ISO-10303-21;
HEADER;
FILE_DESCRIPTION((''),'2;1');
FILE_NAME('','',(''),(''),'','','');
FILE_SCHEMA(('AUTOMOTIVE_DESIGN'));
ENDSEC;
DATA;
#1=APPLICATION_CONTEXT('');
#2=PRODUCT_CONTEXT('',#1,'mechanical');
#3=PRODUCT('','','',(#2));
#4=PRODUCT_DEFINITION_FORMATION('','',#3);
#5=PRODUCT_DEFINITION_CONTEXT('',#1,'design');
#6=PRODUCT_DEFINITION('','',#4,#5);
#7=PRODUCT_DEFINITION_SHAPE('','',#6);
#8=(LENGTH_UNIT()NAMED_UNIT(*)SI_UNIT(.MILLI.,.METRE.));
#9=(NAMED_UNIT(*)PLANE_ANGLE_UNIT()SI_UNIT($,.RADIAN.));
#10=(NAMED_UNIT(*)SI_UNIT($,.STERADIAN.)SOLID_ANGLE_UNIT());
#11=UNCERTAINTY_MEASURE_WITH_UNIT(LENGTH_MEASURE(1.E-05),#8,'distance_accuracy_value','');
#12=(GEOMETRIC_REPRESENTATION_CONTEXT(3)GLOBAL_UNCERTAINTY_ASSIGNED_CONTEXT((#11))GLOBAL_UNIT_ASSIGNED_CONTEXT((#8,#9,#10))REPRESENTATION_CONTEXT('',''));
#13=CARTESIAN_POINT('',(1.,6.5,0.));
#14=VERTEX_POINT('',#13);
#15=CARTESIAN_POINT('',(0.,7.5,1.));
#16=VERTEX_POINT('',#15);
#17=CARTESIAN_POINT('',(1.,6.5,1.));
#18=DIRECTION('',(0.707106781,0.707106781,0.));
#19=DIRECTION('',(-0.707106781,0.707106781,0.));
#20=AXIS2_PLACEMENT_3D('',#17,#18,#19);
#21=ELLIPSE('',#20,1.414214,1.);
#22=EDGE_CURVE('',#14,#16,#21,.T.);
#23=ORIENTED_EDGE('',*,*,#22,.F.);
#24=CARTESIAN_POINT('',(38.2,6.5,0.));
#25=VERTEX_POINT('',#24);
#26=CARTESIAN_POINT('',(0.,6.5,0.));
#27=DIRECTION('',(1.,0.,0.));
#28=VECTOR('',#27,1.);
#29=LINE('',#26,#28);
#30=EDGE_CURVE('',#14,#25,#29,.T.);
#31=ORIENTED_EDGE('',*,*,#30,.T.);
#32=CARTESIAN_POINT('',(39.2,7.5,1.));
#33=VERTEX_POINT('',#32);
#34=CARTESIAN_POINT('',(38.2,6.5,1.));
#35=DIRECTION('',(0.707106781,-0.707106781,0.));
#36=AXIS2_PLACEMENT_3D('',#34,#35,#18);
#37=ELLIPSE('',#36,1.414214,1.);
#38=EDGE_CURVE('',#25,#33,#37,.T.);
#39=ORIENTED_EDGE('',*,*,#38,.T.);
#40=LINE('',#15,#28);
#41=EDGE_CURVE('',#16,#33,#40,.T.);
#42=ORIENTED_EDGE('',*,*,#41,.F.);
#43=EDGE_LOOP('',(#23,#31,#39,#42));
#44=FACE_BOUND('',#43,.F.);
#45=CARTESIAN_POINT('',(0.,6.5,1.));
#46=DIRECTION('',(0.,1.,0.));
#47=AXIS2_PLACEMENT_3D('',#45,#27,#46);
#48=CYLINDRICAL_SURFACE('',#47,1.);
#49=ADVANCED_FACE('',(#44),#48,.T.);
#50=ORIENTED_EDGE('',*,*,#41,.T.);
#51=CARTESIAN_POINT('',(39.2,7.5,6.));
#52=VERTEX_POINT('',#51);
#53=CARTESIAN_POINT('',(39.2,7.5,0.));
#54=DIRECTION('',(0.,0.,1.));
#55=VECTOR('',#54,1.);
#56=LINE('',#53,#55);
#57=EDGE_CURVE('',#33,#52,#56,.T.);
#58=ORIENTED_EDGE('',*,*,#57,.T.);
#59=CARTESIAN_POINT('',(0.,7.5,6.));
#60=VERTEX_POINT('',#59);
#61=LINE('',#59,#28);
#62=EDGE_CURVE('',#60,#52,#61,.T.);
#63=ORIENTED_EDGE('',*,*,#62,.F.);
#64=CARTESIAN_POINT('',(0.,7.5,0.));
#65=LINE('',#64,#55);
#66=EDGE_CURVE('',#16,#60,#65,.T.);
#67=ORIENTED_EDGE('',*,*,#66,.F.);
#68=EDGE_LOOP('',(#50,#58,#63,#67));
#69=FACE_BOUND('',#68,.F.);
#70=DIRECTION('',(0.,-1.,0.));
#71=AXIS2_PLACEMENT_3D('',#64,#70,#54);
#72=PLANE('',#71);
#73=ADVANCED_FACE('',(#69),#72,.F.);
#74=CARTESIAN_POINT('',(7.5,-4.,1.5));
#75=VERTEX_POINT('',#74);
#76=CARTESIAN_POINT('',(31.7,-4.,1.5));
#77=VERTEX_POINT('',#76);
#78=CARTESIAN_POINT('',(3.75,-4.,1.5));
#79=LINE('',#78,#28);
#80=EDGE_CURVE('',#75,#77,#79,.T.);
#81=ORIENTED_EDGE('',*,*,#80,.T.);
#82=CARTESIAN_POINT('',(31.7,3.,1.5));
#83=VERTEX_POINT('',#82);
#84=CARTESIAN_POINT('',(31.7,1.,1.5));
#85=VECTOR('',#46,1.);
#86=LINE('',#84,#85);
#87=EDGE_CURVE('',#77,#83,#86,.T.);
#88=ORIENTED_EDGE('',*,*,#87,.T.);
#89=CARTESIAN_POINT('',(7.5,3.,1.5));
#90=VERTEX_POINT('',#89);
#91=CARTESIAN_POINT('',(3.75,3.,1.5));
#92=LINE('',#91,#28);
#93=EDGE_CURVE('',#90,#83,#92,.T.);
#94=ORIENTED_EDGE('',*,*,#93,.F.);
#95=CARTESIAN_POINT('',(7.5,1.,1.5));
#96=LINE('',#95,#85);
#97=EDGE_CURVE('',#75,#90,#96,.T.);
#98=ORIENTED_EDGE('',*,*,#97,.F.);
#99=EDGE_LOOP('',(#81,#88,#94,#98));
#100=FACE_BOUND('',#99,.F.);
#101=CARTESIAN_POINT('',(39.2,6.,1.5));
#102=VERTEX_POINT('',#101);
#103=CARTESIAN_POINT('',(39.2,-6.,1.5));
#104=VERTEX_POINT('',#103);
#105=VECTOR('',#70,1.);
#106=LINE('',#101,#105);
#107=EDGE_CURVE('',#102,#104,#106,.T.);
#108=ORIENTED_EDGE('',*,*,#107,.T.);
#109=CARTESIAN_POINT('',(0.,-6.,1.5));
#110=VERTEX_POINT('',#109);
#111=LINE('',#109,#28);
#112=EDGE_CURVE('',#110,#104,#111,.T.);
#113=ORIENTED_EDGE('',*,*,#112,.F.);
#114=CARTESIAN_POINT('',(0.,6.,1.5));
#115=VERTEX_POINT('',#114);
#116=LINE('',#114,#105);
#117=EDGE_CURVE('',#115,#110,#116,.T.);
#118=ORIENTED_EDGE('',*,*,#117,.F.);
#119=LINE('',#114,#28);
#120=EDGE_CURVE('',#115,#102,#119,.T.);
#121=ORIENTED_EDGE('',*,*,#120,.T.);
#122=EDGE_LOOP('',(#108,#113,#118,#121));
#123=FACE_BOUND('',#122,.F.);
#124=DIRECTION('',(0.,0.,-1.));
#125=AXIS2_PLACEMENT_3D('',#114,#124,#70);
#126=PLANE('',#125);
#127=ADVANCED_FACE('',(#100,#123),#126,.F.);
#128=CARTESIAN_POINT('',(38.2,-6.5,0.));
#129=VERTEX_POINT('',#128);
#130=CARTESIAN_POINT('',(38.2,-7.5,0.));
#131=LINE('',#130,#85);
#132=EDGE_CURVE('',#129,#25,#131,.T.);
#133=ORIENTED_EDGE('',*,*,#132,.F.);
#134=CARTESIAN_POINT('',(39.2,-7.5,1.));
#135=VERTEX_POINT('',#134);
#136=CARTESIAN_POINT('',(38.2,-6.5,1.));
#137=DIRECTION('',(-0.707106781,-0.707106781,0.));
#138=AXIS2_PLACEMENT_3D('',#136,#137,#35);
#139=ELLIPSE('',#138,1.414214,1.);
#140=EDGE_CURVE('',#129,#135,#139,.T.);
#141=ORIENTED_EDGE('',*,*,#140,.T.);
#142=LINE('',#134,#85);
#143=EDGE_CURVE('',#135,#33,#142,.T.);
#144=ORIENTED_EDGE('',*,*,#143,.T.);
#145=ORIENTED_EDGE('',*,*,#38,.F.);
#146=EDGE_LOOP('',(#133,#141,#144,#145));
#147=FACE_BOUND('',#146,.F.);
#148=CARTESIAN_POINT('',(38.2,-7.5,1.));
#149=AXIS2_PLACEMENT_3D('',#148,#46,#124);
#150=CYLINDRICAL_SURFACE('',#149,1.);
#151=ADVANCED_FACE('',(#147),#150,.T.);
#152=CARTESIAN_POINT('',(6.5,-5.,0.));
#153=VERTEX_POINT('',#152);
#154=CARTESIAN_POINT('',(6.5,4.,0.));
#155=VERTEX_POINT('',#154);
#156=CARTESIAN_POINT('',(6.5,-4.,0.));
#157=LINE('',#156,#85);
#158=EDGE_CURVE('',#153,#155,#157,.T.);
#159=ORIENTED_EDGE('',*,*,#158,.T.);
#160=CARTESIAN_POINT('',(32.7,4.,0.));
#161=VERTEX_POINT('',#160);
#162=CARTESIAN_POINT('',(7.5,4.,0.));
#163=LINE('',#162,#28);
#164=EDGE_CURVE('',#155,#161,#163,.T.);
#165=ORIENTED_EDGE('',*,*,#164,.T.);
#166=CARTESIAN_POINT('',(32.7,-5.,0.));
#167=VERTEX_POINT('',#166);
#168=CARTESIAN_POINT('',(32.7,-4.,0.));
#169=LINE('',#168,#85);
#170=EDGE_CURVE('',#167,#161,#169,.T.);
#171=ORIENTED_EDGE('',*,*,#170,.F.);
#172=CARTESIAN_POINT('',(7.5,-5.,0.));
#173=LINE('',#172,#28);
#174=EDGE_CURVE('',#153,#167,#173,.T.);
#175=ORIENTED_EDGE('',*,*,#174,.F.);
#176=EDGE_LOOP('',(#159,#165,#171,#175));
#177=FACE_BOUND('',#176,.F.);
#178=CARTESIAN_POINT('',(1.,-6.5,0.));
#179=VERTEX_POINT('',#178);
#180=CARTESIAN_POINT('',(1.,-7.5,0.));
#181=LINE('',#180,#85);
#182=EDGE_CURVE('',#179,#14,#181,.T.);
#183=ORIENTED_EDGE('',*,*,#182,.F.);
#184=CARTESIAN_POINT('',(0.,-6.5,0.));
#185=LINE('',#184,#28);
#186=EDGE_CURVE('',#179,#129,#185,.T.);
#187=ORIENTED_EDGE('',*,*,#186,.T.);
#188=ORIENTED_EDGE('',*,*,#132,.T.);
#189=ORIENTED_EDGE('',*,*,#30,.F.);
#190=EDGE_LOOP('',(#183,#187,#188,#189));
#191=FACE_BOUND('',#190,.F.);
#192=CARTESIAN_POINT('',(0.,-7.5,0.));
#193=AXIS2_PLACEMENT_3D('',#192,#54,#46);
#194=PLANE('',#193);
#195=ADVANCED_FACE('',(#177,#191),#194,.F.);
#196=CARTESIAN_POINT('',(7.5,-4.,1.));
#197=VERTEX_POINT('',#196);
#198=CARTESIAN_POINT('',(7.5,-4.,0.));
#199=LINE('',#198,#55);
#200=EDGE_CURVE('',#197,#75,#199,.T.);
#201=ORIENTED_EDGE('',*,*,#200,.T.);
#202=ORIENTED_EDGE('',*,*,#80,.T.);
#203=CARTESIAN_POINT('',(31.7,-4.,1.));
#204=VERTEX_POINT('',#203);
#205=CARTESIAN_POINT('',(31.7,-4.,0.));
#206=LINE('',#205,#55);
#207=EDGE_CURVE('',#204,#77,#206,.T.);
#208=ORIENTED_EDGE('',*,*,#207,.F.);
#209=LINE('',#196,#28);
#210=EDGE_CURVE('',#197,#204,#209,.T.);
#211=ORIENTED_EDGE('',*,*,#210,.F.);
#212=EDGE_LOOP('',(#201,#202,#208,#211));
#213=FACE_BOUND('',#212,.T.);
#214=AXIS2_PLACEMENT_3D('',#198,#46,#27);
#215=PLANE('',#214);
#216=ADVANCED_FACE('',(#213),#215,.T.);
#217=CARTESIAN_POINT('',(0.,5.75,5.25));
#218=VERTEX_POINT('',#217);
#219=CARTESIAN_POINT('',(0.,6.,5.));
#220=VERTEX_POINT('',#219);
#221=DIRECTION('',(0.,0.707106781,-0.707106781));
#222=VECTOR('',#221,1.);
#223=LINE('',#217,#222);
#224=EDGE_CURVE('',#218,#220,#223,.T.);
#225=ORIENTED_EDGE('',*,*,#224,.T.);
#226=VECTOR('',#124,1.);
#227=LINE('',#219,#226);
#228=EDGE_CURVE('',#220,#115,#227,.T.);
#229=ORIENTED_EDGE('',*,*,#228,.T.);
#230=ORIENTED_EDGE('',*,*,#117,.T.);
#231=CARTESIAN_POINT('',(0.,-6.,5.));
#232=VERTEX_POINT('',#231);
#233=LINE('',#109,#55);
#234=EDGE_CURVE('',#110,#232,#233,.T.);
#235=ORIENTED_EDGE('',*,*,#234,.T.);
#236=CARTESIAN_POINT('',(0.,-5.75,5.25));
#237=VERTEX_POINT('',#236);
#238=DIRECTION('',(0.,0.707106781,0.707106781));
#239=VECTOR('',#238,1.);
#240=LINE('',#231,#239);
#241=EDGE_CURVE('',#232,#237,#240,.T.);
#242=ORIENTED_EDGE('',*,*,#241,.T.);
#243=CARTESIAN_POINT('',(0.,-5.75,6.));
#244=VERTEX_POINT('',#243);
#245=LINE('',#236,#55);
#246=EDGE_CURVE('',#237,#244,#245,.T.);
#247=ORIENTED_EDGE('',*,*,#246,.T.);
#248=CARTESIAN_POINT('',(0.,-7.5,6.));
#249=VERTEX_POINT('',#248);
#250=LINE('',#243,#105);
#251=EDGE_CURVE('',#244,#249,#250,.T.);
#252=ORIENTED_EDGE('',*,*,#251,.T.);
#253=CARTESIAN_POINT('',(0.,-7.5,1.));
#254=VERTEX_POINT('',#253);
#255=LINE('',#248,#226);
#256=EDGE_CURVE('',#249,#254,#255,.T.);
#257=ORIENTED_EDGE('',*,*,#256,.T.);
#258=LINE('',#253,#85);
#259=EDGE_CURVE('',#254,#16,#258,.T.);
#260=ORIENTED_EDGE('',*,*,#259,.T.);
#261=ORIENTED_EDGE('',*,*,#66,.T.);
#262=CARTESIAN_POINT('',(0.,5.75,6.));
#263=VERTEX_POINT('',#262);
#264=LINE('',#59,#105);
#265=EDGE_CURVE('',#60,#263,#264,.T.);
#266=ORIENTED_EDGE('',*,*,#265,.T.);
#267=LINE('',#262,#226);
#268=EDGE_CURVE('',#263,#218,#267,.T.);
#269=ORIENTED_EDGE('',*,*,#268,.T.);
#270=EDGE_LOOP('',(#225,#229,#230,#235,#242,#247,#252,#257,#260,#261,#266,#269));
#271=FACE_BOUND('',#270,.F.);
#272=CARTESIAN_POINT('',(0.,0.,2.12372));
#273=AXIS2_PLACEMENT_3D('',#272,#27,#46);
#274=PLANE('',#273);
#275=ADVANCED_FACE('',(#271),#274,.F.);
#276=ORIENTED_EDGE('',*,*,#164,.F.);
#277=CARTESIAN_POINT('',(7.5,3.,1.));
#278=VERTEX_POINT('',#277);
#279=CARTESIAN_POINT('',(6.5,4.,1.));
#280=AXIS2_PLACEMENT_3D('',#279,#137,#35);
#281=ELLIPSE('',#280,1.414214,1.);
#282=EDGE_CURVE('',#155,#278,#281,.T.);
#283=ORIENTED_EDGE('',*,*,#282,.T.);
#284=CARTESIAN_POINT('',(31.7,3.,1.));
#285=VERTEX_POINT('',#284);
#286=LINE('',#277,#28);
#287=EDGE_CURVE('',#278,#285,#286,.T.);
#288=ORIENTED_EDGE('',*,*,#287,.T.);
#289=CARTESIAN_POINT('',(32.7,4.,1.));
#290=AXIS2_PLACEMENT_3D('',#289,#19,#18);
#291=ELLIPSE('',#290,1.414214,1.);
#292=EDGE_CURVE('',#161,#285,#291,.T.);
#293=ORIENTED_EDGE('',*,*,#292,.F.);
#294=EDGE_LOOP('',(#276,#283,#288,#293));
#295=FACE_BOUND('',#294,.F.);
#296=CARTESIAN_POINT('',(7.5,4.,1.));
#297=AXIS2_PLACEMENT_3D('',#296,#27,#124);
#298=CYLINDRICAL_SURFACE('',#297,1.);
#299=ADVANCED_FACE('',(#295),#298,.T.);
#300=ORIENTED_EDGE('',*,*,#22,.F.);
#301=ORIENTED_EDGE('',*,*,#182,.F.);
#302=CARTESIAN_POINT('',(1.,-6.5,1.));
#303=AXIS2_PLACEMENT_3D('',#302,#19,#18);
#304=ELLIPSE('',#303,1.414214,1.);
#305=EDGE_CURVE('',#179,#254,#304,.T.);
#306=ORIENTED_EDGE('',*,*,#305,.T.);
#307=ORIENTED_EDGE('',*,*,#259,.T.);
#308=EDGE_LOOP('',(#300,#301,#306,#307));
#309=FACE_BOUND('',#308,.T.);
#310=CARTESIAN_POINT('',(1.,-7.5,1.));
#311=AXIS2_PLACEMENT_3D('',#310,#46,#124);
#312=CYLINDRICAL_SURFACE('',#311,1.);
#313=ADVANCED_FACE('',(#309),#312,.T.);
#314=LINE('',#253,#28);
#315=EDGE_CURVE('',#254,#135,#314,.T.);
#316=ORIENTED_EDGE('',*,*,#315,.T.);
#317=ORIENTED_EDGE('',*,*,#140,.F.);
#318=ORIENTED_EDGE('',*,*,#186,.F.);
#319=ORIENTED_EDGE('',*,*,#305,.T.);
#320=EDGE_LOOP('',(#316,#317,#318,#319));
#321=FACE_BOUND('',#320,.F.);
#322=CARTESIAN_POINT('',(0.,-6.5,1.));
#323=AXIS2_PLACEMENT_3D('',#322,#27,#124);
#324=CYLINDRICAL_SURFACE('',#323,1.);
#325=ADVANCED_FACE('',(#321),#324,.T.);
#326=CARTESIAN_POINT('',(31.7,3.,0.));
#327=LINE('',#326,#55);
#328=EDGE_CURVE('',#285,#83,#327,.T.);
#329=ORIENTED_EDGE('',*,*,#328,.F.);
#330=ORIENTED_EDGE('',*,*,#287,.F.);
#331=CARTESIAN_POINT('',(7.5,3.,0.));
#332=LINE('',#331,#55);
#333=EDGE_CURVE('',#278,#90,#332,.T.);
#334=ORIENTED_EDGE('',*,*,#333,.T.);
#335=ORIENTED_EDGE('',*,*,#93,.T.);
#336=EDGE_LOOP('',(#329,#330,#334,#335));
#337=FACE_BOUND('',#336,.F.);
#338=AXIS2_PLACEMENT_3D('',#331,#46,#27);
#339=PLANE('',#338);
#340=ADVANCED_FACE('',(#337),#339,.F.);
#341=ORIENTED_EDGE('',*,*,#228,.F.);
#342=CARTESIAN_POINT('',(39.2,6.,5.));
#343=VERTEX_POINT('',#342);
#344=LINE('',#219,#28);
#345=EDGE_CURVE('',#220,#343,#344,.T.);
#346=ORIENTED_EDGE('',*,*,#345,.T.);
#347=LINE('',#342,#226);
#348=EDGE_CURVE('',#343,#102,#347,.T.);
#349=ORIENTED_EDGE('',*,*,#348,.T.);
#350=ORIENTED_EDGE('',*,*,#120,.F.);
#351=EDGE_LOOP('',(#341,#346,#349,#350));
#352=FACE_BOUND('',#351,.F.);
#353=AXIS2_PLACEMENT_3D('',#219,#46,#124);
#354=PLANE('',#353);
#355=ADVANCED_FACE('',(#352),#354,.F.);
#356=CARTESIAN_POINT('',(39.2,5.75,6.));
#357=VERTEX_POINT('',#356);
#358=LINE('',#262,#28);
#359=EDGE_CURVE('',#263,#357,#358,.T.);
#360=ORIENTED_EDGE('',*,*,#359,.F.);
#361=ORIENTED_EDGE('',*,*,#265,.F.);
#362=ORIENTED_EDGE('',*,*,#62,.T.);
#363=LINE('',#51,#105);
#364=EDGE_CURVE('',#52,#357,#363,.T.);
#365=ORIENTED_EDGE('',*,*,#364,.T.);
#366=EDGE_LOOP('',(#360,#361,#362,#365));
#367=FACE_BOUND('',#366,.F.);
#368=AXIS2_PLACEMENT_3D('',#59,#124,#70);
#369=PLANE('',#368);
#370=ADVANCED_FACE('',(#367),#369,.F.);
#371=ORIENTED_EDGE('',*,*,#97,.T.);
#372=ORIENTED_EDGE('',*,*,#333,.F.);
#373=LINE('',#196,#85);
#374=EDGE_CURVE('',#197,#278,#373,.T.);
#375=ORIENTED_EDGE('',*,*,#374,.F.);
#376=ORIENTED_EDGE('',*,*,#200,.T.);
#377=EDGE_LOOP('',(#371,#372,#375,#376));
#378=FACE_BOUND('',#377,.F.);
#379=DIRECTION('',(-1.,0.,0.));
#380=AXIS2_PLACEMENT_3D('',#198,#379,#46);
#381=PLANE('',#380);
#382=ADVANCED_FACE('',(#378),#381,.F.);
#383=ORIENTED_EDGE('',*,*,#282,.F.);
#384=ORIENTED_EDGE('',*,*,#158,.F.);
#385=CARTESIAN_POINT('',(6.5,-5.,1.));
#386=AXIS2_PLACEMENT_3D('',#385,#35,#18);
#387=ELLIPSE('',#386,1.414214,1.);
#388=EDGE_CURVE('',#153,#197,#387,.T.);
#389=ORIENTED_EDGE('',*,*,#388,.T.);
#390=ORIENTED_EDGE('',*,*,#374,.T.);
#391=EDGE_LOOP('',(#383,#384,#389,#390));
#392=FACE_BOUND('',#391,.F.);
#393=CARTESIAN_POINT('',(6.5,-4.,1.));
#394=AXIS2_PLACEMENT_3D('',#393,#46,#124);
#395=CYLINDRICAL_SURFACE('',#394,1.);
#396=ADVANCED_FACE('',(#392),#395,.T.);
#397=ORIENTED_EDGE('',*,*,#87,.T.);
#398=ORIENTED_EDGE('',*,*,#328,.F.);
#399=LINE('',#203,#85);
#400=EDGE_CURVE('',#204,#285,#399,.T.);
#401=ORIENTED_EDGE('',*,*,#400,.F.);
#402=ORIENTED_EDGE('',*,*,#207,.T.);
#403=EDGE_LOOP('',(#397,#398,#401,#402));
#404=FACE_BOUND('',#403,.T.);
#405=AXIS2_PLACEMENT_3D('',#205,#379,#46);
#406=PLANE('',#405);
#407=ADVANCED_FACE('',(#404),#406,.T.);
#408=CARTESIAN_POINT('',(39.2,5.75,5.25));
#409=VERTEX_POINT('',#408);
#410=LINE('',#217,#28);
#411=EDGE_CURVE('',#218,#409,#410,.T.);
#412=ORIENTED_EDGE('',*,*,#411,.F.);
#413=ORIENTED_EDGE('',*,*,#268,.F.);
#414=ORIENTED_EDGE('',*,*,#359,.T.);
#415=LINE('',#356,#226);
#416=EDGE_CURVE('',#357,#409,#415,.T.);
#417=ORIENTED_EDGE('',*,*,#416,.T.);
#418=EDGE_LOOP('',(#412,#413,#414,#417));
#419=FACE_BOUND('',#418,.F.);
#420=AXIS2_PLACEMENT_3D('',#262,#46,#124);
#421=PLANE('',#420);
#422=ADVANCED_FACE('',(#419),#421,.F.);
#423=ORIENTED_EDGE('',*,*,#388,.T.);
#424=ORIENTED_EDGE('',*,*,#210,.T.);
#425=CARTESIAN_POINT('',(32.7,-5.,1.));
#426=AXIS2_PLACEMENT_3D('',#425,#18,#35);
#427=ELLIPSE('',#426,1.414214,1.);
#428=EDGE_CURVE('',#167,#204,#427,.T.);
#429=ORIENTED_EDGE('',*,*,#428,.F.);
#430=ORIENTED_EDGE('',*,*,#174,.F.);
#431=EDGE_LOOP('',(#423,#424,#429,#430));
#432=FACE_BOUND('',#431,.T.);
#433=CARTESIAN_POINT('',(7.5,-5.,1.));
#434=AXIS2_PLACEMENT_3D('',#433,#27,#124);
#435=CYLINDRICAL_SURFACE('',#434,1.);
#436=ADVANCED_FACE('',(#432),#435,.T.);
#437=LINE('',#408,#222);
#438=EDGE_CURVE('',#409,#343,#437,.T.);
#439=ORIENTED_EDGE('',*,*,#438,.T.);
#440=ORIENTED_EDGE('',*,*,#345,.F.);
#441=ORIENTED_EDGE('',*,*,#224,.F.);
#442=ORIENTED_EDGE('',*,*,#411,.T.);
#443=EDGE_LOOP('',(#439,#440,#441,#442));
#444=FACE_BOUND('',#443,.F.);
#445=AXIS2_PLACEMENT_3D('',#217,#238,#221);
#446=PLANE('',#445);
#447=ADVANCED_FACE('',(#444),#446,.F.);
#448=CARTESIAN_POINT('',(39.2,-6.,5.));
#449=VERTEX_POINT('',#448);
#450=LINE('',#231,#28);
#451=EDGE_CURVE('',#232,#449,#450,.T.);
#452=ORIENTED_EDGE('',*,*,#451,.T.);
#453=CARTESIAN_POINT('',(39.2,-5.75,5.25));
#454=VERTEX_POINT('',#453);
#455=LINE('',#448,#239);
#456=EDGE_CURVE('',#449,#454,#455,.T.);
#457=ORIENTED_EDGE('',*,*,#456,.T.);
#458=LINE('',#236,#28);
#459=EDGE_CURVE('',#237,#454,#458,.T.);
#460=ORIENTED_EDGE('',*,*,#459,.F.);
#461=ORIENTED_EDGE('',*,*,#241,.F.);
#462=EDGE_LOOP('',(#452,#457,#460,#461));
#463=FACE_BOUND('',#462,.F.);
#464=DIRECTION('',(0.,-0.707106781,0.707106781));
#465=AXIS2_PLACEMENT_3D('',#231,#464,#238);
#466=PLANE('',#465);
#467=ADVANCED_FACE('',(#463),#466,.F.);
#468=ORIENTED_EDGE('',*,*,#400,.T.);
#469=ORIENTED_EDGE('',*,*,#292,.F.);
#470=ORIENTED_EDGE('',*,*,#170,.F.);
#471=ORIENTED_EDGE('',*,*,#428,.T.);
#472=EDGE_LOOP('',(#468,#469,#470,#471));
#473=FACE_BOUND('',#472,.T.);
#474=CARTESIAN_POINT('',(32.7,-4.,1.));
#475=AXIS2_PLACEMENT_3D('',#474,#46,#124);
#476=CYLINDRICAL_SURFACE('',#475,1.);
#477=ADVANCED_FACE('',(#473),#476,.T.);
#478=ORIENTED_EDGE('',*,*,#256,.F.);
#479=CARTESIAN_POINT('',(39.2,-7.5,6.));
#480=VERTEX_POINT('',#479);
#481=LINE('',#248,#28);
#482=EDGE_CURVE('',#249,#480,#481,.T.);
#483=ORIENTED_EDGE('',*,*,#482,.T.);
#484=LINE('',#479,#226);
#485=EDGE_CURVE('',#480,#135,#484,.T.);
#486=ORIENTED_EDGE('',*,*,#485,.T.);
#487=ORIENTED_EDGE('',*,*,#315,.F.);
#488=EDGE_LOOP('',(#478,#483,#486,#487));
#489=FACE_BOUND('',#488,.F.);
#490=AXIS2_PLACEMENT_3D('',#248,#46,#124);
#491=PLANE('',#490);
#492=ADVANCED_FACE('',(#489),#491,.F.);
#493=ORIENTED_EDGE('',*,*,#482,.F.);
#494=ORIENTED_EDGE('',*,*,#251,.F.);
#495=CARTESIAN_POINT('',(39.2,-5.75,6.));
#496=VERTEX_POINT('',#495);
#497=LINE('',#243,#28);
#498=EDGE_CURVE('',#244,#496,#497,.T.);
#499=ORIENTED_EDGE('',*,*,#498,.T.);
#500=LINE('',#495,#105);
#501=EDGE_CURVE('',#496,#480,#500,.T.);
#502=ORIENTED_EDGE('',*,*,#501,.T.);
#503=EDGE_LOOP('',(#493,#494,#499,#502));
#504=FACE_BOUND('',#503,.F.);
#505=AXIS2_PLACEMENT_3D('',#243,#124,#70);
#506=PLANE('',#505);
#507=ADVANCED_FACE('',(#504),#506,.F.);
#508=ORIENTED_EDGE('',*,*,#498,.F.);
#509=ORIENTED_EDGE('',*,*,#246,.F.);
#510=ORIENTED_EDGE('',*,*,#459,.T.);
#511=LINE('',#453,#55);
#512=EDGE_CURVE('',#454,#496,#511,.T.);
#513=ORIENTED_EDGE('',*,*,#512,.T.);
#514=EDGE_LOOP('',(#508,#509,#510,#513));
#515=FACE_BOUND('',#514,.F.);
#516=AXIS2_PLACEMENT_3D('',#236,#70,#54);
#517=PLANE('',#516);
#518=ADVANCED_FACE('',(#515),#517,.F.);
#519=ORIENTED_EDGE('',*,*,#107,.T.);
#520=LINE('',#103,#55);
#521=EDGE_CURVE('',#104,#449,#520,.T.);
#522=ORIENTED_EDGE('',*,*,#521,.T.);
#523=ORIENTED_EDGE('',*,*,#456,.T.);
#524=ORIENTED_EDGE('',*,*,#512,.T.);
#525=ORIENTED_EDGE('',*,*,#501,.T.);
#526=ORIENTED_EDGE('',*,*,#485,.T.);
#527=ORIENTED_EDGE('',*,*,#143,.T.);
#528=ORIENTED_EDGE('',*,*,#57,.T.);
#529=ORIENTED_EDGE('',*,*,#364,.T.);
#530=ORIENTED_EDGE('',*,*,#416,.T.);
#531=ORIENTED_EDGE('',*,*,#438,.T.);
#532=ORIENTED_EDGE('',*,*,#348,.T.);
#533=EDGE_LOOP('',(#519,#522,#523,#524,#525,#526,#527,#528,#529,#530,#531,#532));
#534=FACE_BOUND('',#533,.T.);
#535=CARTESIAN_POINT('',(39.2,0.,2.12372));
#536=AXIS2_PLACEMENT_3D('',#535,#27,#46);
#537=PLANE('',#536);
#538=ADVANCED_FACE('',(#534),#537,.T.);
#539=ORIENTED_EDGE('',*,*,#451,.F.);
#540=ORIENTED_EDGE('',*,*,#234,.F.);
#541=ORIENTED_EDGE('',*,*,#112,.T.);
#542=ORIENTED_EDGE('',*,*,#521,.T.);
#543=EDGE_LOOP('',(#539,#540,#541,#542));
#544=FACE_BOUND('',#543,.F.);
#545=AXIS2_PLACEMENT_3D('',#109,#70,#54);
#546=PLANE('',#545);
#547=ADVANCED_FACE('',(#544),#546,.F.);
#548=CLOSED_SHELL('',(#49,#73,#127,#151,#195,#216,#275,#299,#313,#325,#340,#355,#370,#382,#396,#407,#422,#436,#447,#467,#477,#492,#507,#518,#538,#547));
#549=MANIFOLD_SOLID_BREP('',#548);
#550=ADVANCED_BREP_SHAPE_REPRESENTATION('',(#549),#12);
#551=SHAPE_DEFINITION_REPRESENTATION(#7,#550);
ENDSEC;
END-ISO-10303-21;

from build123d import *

# Parameters (mm, degrees)
PAD_DEPTH    = 39.2
SKETCH001_W  = 7
SKETCH001_H  = 24.2
POCKET_DEPTH = 6.001
FILLET_R     = 1


with BuildPart() as part:
    # Sketch → Pad (new body)
    with BuildSketch(Plane.YZ):
        Polygon((7.5, 0), (7.5, 6), (5.75, 6), (5.75, 5.25), (6, 5), (6, 1.5), (-6, 1.5), (-6, 5), (-5.75, 5.25), (-5.75, 6), (-7.5, 6), (-7.5, 0), align=None)
    extrude(amount=PAD_DEPTH)

    # Sketch001 (on Face12 of Pad) → Pocket (cut, through all)
    with BuildSketch(Plane.YX):
        with Locations((-0.5, 19.6)):
            Rectangle(SKETCH001_W, SKETCH001_H)
    extrude(amount=-POCKET_DEPTH, mode=Mode.SUBTRACT)

    # Fillet
    fillet_edges = [part.edges().sort_by_distance(p)[0] for p in [
        (19.6, -7.5, 0),
        (0, 0, 0),
        (39.2, 0, 0),
        (19.6, 7.5, 0),
        (19.6, -4, 0),
        (31.7, -0.5, 0),
        (19.6, 3, 0),
        (7.5, -0.5, 0),
    ]]
    fillet(fillet_edges, radius=FILLET_R)


solid = part.part
